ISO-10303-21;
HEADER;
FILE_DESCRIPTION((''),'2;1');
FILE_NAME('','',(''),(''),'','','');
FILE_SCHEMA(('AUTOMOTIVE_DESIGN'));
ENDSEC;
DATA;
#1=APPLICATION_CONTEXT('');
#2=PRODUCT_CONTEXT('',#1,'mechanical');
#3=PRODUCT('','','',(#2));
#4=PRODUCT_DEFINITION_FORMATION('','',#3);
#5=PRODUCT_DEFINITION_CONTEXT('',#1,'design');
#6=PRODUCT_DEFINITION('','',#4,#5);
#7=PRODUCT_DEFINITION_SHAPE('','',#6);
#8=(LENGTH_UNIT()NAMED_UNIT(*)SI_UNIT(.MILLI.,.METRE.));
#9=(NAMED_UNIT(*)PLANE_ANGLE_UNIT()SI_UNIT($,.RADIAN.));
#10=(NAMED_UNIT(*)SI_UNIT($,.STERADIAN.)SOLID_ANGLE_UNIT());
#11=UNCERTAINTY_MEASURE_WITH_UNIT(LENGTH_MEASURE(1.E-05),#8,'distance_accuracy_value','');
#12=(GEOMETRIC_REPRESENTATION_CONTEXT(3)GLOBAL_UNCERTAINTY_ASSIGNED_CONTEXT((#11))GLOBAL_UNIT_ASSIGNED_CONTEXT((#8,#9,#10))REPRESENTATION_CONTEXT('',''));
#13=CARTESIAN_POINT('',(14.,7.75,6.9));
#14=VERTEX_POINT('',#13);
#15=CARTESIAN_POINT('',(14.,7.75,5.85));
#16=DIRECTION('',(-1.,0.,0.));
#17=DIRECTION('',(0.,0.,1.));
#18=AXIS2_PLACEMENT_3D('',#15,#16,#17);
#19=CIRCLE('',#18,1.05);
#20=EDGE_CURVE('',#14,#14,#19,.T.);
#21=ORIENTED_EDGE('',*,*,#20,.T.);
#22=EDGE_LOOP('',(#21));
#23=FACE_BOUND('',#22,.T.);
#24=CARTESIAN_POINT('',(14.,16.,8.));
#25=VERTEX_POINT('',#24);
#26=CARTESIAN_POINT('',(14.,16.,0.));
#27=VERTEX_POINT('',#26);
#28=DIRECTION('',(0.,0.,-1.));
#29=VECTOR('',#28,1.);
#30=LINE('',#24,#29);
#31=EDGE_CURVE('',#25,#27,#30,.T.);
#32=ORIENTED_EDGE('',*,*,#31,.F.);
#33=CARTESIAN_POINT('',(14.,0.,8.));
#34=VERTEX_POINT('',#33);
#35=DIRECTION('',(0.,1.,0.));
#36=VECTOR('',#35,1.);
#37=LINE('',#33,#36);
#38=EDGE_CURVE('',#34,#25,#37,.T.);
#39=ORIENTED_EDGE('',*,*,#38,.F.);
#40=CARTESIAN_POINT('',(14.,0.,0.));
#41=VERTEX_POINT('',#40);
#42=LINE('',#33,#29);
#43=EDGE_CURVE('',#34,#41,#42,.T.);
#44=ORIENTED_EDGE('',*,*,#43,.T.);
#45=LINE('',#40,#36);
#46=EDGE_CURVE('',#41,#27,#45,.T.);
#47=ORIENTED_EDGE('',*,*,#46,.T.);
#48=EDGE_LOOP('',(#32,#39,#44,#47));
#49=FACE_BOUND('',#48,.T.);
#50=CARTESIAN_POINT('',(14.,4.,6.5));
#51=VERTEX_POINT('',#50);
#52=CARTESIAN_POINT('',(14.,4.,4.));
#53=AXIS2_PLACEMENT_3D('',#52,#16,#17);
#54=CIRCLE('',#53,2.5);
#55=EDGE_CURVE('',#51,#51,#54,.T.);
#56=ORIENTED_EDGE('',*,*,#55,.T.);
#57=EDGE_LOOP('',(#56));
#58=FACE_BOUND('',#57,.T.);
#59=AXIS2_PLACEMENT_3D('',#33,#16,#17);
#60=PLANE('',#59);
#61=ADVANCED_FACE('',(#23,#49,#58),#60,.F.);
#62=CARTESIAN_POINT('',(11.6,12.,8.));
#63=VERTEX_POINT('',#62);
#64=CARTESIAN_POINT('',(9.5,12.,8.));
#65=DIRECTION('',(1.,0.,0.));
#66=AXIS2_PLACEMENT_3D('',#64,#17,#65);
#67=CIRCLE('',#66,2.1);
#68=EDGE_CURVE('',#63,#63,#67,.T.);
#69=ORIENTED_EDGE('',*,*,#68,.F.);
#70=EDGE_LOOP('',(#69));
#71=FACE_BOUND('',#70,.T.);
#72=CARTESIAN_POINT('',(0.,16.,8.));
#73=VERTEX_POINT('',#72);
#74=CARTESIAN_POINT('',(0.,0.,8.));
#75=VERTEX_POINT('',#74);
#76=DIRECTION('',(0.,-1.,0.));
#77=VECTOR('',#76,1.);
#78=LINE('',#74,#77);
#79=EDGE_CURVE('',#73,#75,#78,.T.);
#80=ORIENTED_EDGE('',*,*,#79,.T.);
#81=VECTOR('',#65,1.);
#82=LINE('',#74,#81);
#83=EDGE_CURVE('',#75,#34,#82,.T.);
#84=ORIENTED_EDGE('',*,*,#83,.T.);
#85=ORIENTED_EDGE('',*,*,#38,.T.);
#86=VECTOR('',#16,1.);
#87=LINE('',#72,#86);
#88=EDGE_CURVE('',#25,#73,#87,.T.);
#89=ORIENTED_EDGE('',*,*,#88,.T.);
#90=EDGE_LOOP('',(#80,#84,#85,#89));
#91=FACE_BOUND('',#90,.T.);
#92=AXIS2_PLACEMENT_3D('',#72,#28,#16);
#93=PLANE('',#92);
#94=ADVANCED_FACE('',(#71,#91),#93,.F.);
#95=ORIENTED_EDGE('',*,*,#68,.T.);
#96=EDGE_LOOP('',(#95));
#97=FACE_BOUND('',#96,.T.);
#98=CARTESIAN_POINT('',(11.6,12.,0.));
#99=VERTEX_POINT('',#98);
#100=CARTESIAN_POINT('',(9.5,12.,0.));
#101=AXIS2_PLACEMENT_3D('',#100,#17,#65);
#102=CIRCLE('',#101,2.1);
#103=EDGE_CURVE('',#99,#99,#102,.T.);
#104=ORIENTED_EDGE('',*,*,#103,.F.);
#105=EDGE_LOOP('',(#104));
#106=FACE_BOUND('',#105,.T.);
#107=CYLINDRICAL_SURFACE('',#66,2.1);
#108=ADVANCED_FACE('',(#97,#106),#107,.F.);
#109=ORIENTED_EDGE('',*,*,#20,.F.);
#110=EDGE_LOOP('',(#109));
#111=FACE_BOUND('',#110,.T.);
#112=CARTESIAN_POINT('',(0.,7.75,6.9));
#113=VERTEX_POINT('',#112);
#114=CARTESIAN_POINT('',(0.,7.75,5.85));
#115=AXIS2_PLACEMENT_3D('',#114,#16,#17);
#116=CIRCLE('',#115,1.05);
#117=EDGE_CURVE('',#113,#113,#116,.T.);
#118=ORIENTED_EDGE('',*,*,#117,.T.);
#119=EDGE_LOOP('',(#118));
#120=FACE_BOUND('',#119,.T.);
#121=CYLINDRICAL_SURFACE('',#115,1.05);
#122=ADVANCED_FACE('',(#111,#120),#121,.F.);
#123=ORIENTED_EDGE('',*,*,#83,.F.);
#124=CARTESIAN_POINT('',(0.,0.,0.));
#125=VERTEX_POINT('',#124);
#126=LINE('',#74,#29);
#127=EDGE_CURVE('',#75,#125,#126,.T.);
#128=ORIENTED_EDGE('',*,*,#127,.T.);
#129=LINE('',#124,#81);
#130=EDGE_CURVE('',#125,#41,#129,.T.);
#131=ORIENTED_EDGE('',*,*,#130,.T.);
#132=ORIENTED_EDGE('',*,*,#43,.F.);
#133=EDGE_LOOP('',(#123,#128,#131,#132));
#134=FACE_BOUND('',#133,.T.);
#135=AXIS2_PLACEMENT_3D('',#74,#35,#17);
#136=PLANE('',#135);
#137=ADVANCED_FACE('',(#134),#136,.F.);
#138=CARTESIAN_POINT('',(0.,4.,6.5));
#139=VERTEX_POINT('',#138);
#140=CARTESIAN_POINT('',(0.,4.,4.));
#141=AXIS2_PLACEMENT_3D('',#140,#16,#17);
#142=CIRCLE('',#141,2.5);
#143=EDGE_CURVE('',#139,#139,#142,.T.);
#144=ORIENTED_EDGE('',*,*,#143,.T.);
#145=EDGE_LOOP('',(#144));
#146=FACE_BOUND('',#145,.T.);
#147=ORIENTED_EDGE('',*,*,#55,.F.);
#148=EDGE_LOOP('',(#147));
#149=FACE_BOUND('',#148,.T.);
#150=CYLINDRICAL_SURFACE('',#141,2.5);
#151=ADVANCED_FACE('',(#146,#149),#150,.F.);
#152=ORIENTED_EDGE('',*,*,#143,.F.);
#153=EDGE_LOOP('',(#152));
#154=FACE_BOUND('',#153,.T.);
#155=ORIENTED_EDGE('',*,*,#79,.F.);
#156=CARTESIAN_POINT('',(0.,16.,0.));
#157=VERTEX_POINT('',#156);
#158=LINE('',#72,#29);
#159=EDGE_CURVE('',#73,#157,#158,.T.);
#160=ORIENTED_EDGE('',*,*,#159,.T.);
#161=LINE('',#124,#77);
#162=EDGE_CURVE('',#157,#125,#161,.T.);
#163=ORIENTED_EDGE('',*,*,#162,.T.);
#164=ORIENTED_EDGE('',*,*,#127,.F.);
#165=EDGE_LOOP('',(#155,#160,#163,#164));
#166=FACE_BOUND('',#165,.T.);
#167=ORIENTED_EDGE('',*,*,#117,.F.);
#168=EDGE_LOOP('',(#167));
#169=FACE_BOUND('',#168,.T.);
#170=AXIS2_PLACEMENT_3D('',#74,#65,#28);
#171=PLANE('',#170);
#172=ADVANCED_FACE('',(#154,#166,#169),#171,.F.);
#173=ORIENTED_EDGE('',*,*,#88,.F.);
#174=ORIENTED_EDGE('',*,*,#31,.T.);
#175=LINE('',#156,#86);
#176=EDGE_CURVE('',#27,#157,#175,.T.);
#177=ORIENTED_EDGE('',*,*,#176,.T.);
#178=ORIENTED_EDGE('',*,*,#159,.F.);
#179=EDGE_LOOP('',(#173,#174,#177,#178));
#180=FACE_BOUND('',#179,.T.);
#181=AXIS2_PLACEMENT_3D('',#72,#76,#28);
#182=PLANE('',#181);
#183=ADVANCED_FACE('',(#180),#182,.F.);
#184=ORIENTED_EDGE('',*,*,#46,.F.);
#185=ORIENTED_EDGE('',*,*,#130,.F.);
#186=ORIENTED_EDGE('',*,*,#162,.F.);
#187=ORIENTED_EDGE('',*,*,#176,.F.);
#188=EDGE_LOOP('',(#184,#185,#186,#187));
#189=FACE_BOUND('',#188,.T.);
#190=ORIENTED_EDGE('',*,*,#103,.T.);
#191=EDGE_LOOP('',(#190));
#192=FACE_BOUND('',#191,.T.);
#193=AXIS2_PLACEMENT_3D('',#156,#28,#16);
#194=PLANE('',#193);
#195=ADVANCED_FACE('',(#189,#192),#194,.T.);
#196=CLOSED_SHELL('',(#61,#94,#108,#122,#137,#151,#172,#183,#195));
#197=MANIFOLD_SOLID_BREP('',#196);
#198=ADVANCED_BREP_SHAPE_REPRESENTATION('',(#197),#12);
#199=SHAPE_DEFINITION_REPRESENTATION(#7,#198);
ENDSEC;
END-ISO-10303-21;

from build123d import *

# Parameters (mm, degrees)
SKETCH1_W                   = 14
SKETCH1_H                   = 16
BOSS_EXTRUDE1_DEPTH         = 8
TAP_DRILL_FOR_M5X0_8_TAP1_D = 4.2
F_5_0_5_DIAMETER_HOLE1_D    = 5
F_2_1_2_1_DIAMETER_HOLE1_D  = 2.1


with BuildPart() as part:
    # Sketch1 → Boss-Extrude1 (new body)
    with BuildSketch(Plane.XY):
        with Locations((7, 8)):
            Rectangle(SKETCH1_W, SKETCH1_H)
    extrude(amount=BOSS_EXTRUDE1_DEPTH)

    # Tap Drill for M5x0.8 Tap1 (through all)
    with Locations(Plane.XY.offset(8)):
        with Locations((9.5, 12)):
            Hole(TAP_DRILL_FOR_M5X0_8_TAP1_D / 2)

    # Ø5.0 (5) Diameter Hole1 (through all)
    with Locations(Plane.ZY):
        with Locations((4, 4)):
            Hole(F_5_0_5_DIAMETER_HOLE1_D / 2)

    # Ø2.1 (2.1) Diameter Hole1 (through all)
    with Locations(Plane.ZY):
        with Locations((5.85, 7.75)):
            Hole(F_2_1_2_1_DIAMETER_HOLE1_D / 2)


solid = part.part
